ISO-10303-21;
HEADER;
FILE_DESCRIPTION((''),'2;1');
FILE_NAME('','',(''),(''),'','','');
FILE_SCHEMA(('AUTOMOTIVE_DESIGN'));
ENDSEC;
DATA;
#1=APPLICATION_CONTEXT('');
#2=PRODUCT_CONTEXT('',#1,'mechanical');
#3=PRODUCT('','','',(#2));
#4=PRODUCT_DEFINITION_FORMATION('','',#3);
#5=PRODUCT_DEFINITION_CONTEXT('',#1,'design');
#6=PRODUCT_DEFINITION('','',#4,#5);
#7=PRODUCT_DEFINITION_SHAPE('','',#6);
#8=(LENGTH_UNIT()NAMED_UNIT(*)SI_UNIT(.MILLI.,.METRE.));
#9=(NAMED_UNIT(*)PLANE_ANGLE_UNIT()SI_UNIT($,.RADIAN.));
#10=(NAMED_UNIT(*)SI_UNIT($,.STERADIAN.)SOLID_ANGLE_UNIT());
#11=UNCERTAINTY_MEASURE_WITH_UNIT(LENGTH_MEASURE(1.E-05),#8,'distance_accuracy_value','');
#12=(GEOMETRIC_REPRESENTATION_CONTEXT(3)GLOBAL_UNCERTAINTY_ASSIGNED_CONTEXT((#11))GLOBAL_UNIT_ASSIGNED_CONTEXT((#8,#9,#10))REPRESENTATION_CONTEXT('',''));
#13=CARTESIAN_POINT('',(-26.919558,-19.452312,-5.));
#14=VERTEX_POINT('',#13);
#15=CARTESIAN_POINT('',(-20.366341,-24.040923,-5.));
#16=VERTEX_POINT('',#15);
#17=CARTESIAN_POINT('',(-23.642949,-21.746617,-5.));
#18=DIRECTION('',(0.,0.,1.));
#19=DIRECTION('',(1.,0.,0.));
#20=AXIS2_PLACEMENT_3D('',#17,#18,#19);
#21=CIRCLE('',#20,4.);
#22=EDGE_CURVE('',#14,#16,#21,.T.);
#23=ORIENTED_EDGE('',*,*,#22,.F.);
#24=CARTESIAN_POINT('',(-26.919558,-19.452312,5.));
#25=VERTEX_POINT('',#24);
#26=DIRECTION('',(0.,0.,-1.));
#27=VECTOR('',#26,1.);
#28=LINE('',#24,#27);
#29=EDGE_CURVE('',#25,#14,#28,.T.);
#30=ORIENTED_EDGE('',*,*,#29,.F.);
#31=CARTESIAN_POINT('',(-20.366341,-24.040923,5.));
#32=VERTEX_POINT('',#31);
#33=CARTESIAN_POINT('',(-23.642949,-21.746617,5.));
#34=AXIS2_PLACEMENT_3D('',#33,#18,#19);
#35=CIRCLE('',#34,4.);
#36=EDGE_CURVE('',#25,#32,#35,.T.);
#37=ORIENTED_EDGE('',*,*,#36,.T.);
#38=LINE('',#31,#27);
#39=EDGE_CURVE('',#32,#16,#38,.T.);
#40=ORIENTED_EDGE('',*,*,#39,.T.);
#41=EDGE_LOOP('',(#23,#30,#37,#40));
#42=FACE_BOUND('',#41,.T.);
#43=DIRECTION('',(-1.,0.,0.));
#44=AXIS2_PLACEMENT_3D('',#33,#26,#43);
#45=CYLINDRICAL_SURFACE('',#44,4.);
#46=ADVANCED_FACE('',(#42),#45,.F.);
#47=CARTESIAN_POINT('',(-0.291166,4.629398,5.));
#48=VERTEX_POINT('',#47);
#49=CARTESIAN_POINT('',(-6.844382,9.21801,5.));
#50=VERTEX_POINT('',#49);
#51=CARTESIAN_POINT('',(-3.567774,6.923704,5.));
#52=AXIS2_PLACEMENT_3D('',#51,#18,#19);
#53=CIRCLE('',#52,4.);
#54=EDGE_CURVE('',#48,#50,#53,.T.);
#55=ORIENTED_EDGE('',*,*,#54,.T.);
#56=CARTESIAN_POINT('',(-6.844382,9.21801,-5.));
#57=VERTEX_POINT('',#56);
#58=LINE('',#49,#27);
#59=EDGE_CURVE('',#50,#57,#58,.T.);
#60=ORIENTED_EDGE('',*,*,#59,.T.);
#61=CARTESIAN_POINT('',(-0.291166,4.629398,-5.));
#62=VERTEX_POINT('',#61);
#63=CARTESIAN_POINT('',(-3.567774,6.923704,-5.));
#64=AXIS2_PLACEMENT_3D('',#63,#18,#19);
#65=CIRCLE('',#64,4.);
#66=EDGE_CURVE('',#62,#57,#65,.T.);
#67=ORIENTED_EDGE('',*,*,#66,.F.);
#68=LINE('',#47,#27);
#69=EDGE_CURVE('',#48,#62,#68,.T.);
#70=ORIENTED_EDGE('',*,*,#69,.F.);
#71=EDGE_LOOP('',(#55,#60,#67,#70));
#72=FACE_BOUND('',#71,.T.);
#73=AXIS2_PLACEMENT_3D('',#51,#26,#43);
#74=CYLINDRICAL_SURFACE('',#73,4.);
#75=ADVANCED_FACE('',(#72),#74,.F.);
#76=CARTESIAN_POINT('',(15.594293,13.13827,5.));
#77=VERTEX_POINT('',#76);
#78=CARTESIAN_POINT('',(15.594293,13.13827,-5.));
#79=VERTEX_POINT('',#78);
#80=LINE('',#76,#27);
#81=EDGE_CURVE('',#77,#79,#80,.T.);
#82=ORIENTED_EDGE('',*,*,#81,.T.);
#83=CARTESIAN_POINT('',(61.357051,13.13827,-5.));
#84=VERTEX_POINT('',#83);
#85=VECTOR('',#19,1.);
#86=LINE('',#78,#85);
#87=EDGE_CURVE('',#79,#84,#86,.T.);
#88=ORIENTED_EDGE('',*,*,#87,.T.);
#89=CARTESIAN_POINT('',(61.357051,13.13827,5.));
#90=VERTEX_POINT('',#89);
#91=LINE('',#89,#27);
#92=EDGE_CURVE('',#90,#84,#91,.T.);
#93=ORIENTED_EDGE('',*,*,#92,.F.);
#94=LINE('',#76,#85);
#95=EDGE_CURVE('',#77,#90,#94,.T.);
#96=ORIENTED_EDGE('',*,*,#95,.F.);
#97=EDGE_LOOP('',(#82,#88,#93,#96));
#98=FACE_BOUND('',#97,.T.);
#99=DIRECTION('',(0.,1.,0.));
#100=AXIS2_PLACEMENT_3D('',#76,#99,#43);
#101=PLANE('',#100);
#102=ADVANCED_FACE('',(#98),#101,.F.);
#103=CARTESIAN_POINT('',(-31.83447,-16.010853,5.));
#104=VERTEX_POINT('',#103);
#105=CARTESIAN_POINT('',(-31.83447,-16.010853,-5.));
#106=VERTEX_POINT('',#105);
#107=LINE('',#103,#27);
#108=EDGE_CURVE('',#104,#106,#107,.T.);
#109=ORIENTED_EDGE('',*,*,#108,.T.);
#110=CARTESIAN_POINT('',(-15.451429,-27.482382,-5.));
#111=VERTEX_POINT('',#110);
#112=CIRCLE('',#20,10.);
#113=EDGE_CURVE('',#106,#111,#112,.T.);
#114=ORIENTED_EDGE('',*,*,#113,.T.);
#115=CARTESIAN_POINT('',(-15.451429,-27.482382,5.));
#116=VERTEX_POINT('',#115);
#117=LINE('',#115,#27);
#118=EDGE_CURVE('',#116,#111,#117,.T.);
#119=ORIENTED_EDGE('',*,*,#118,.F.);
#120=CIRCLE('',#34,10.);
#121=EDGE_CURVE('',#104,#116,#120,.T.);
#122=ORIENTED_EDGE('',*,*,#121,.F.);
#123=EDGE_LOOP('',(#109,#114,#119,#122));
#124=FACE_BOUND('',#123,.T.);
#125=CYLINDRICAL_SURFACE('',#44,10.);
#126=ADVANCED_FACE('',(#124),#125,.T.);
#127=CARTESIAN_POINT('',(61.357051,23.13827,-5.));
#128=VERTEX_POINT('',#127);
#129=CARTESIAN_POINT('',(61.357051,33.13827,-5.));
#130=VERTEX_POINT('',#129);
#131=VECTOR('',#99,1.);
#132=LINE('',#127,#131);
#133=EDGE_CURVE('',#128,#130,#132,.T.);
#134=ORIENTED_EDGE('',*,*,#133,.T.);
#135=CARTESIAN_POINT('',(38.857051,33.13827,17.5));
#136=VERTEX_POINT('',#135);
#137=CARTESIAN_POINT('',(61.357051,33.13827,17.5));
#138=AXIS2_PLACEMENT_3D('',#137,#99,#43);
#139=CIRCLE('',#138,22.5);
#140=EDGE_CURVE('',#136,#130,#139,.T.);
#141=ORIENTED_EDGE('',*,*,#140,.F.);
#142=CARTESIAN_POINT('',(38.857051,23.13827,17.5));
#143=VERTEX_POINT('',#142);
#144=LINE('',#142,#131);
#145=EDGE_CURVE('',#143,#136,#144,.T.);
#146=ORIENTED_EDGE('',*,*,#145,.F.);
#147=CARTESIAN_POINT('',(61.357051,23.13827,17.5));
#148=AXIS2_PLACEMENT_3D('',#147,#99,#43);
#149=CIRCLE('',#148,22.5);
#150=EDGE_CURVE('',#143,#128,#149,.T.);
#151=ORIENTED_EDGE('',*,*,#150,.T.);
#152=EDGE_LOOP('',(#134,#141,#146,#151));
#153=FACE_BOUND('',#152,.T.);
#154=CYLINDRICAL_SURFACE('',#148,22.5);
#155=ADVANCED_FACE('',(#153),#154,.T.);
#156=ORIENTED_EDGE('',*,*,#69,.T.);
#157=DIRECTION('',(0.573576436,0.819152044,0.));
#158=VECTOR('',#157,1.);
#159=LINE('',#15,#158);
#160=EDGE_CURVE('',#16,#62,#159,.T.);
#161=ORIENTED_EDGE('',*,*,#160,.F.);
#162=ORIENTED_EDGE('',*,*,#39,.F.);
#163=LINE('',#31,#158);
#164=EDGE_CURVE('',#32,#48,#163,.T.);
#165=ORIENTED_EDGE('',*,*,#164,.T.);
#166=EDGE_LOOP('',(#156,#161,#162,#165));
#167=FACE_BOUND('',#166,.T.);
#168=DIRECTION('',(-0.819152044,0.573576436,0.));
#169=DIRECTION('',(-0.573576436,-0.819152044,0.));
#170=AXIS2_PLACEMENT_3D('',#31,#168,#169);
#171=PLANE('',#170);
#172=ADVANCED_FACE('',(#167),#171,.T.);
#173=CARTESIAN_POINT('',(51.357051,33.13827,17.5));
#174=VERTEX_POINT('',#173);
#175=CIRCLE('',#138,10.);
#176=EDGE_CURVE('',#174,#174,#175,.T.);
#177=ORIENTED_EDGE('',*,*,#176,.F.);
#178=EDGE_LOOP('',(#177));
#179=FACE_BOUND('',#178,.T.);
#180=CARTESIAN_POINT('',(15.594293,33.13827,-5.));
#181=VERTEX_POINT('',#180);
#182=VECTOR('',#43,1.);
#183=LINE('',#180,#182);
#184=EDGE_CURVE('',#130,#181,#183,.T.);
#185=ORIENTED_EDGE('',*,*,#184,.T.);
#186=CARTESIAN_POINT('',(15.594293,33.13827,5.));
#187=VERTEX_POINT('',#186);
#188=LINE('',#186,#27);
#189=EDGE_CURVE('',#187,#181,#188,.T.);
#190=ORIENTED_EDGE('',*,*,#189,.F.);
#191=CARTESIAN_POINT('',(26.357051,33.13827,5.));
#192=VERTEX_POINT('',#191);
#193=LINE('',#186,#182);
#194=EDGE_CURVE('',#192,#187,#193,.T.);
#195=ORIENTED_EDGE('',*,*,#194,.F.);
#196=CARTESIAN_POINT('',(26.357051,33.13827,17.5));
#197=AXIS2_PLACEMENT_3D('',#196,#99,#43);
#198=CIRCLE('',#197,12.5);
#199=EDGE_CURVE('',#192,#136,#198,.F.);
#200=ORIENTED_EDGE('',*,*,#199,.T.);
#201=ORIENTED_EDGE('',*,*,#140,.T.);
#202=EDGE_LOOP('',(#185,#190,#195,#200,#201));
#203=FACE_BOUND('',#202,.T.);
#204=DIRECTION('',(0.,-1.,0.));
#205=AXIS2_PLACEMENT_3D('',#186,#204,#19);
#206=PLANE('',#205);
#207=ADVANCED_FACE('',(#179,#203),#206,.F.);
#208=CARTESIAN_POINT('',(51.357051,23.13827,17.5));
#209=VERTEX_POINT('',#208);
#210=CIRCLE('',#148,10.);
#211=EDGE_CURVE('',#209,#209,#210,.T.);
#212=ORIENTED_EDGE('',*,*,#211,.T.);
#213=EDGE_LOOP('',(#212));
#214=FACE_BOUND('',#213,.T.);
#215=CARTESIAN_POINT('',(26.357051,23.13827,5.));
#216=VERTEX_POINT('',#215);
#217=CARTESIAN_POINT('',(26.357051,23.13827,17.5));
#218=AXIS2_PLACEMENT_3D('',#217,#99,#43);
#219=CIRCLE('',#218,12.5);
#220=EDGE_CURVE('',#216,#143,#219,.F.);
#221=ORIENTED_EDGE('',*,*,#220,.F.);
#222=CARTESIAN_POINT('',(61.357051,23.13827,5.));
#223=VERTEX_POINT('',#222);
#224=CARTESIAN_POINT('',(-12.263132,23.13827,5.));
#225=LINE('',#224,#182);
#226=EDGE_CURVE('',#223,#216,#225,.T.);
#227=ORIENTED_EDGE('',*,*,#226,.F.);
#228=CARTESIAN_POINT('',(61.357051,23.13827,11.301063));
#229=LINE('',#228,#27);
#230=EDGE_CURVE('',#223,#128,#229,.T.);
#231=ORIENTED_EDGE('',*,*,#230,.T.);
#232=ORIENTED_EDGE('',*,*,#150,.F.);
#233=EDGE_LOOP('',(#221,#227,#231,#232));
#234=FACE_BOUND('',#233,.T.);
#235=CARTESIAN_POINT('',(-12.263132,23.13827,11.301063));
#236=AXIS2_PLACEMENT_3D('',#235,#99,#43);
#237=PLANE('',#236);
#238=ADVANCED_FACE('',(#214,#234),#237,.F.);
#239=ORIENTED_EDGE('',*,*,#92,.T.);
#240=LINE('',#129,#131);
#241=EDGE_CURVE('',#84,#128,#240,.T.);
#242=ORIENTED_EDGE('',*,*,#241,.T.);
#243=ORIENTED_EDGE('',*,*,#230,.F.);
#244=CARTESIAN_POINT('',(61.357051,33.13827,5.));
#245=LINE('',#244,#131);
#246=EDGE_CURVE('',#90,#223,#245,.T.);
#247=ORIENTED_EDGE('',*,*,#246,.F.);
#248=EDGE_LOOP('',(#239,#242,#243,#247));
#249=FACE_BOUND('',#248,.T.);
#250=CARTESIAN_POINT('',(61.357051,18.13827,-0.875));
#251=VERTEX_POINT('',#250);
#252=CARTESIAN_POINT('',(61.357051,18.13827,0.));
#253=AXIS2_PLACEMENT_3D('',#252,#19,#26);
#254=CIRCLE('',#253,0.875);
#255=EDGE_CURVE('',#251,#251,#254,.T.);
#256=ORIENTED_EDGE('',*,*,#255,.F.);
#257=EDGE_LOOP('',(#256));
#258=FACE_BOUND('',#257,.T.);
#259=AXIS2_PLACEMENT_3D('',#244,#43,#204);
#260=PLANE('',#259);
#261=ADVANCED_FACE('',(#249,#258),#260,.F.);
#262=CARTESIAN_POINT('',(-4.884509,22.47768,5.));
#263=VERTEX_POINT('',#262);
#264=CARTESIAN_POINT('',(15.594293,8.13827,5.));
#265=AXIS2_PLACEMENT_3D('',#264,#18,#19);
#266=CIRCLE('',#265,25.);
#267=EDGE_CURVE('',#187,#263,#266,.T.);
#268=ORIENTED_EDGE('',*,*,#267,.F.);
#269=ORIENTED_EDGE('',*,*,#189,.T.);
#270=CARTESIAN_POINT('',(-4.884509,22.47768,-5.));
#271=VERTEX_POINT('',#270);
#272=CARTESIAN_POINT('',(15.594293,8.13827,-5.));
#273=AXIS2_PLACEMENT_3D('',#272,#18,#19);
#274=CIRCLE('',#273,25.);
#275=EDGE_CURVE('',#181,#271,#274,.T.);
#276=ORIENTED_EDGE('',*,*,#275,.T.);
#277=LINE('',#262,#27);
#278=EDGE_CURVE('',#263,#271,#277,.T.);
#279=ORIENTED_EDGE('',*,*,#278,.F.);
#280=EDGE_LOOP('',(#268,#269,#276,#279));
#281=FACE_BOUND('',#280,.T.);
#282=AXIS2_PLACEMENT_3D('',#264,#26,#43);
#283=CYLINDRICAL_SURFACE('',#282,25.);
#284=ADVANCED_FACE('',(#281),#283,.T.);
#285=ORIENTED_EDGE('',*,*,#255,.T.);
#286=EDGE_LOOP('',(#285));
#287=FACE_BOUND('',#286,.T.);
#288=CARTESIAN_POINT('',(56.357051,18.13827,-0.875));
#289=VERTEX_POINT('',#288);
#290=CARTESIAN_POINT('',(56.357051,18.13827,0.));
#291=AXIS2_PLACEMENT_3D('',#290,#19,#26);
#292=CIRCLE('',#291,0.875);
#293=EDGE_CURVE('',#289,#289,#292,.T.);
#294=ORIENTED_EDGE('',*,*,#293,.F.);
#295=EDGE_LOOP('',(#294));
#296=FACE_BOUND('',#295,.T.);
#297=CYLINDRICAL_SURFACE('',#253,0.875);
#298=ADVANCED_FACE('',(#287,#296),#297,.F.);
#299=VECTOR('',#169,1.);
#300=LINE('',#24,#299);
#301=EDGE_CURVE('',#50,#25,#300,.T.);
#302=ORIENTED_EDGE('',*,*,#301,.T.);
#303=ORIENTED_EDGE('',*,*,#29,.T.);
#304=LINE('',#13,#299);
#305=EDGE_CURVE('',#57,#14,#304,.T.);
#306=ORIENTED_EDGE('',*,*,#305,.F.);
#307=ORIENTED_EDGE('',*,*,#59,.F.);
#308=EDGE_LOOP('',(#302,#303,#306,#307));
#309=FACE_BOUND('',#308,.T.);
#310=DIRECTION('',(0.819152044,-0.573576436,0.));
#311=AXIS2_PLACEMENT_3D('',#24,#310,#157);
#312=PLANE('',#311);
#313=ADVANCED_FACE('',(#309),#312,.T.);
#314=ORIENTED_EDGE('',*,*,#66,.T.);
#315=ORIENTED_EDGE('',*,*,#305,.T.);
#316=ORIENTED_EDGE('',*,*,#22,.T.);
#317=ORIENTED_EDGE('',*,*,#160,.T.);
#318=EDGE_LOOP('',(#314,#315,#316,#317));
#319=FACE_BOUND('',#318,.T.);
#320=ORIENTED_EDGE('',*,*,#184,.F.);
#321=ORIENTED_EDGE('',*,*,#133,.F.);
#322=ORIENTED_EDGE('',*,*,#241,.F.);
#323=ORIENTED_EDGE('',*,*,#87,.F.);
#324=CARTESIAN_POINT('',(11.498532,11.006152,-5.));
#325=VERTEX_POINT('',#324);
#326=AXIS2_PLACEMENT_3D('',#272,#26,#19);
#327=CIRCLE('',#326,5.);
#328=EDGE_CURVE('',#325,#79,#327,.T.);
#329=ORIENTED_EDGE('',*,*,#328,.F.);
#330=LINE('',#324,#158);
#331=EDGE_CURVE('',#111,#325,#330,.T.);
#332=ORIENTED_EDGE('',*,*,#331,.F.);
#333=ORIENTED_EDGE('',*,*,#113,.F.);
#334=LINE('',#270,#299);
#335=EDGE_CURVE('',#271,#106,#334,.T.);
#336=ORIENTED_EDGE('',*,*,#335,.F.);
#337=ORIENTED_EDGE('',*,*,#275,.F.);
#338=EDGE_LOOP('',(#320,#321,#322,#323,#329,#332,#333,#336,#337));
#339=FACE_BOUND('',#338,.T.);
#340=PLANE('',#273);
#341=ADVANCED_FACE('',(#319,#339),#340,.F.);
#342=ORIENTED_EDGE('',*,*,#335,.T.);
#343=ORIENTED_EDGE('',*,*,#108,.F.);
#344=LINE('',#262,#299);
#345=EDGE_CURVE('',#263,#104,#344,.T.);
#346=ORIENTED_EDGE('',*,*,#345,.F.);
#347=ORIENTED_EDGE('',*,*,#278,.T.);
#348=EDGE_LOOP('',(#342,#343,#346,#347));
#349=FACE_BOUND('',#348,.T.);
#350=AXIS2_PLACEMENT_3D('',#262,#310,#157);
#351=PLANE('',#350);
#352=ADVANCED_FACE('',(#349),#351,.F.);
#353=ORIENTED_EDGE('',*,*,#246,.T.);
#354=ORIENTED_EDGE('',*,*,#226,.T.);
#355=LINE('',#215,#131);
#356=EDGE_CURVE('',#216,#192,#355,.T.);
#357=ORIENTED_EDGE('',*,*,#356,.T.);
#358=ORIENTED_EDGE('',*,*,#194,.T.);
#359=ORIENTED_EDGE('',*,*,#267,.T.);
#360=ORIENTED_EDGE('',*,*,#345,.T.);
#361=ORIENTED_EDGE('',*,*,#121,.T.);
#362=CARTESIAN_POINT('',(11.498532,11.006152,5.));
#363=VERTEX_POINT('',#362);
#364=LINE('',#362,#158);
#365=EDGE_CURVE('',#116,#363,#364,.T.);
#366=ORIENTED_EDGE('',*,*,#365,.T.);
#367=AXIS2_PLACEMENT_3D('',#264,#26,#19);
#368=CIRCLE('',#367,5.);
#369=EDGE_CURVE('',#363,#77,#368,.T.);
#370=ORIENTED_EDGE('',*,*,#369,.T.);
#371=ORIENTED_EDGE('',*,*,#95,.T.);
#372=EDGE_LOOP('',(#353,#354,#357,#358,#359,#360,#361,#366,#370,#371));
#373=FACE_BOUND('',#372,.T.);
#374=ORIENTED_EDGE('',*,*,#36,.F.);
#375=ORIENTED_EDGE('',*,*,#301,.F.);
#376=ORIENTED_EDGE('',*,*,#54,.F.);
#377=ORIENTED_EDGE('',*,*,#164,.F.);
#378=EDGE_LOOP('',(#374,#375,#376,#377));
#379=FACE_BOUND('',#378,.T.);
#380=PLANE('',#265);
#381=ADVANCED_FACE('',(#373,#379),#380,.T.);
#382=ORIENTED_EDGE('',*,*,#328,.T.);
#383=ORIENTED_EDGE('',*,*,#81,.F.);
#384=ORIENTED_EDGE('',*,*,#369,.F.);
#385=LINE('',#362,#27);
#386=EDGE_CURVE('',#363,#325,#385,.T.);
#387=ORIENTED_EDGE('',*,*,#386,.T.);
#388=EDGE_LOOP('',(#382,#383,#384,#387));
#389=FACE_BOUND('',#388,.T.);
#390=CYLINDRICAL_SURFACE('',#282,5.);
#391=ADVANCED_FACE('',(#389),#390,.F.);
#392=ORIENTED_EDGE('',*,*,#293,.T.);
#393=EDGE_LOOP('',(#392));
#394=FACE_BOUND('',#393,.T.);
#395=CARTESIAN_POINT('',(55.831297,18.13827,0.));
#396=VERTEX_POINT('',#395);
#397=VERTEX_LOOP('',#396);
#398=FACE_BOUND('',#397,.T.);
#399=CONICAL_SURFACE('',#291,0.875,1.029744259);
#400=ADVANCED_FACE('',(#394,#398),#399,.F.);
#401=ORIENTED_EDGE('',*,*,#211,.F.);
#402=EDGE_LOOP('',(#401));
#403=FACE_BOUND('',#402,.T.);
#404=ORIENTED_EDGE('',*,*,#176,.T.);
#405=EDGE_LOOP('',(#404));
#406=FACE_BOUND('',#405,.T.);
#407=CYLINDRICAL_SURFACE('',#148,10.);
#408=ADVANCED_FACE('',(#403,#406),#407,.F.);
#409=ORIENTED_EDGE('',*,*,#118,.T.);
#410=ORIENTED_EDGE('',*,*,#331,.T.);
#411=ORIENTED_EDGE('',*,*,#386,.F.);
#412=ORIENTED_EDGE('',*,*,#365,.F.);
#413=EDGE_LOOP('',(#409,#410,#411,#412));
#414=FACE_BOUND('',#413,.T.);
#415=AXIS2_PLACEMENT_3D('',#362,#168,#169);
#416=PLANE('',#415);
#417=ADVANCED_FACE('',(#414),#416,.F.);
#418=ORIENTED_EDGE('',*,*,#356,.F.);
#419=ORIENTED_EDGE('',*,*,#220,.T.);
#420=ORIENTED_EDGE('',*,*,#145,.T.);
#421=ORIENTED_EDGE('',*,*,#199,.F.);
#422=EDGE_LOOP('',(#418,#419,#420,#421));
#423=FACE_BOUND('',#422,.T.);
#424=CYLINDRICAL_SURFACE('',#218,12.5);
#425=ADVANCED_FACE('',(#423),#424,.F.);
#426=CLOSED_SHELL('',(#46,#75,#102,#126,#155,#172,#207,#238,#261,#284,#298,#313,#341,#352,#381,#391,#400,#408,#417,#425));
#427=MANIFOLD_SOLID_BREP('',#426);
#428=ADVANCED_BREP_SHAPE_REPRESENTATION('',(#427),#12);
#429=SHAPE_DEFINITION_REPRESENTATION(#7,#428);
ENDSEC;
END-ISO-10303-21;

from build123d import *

# Parameters (mm, degrees)
EXTRUDE1_DEPTH                                 = 5
SKETCH2_R                                      = 10
EXTRUDE2_DEPTH                                 = 10
BROCA_DE_ROSQUEAR_PARA_TARRAXA_DE_M2_2X0_D     = 1.75
BROCA_DE_ROSQUEAR_PARA_TARRAXA_DE_M2_2X0_DEPTH = 5
BROCA_DE_ROSQUEAR_PARA_TARRAXA_DE_M2_2X0_TIP   = 0.525753042


with BuildPart() as part:
    # Sketch1 → Extrude1 (new body, symmetric)
    with BuildSketch(Plane.XY):
        with BuildLine():
            Line((11.498532289, 11.006151708), (-15.451429048, -27.482381858))
            ThreePointArc((-15.451429048, -27.482381858), (-29.378713855, -29.938137938), (-31.834469934, -16.010853131))
            Line((-31.834469934, -16.010853131), (-4.884508596, 22.477680435))
            ThreePointArc((-4.884508596, 22.477680435), (4.05057718, 30.313540355), (15.594292511, 33.138269526))
            Line((15.594292511, 33.138269526), (61.357050509, 33.138269526))
            Line((61.357050509, 33.138269526), (61.357050509, 13.138269526))
            Line((61.357050509, 13.138269526), (15.594292511, 13.138269526))
            ThreePointArc((15.594292511, 13.138269526), (13.285549445, 12.573323692), (11.498532289, 11.006151708))
        make_face()
        with BuildLine():
            Line((-26.919557668, -19.45231175), (-6.844382396, 9.218009801))
            ThreePointArc((-6.844382396, 9.218009801), (-1.273468473, 10.200312232), (-0.291166042, 4.62939831))
            Line((-0.291166042, 4.62939831), (-20.366341314, -24.04092324))
            ThreePointArc((-20.366341314, -24.04092324), (-25.937255237, -25.023225672), (-26.919557668, -19.45231175))
        make_face(mode=Mode.SUBTRACT)
    extrude(amount=EXTRUDE1_DEPTH, both=True)

    # Sketch2 → Extrude2 (add)
    with BuildSketch(Plane(origin=(0, 33.138269526, 0), x_dir=(1, 0, 0), z_dir=(0, 1, 0))):
        with BuildLine():
            Line((61.357050509, 5), (15.594292511, 5))
            Line((15.594292511, 5), (15.594292511, -5))
            Line((15.594292511, -5), (26.357050509, -5))
            ThreePointArc((26.357050509, -5), (35.195885274, -8.661165235), (38.857050509, -17.5))
            ThreePointArc((38.857050509, -17.5), (77.266953086, -33.409902577), (61.357050509, 5))
        make_face()
        with Locations(Location((61.357050509, -17.5, 0), (0, 0, 180))):  # turned: the seam where the file's is
            Circle(SKETCH2_R, mode=Mode.SUBTRACT)
    extrude(amount=-EXTRUDE2_DEPTH)

    # Broca de rosquear para tarraxa de M2.2x0.451
    with Locations(Plane(origin=(61.357050509, 18.138269526, 0), x_dir=(0, 1, 0), z_dir=(1, 0, 0))):
        with Locations((0, 0)):
            Hole(BROCA_DE_ROSQUEAR_PARA_TARRAXA_DE_M2_2X0_D / 2, depth=BROCA_DE_ROSQUEAR_PARA_TARRAXA_DE_M2_2X0_DEPTH)
            with Locations((0, 0, -(BROCA_DE_ROSQUEAR_PARA_TARRAXA_DE_M2_2X0_DEPTH + BROCA_DE_ROSQUEAR_PARA_TARRAXA_DE_M2_2X0_TIP / 2))):  # 118° drill point
                Cone(0, BROCA_DE_ROSQUEAR_PARA_TARRAXA_DE_M2_2X0_D / 2, BROCA_DE_ROSQUEAR_PARA_TARRAXA_DE_M2_2X0_TIP, mode=Mode.SUBTRACT)


solid = part.part
